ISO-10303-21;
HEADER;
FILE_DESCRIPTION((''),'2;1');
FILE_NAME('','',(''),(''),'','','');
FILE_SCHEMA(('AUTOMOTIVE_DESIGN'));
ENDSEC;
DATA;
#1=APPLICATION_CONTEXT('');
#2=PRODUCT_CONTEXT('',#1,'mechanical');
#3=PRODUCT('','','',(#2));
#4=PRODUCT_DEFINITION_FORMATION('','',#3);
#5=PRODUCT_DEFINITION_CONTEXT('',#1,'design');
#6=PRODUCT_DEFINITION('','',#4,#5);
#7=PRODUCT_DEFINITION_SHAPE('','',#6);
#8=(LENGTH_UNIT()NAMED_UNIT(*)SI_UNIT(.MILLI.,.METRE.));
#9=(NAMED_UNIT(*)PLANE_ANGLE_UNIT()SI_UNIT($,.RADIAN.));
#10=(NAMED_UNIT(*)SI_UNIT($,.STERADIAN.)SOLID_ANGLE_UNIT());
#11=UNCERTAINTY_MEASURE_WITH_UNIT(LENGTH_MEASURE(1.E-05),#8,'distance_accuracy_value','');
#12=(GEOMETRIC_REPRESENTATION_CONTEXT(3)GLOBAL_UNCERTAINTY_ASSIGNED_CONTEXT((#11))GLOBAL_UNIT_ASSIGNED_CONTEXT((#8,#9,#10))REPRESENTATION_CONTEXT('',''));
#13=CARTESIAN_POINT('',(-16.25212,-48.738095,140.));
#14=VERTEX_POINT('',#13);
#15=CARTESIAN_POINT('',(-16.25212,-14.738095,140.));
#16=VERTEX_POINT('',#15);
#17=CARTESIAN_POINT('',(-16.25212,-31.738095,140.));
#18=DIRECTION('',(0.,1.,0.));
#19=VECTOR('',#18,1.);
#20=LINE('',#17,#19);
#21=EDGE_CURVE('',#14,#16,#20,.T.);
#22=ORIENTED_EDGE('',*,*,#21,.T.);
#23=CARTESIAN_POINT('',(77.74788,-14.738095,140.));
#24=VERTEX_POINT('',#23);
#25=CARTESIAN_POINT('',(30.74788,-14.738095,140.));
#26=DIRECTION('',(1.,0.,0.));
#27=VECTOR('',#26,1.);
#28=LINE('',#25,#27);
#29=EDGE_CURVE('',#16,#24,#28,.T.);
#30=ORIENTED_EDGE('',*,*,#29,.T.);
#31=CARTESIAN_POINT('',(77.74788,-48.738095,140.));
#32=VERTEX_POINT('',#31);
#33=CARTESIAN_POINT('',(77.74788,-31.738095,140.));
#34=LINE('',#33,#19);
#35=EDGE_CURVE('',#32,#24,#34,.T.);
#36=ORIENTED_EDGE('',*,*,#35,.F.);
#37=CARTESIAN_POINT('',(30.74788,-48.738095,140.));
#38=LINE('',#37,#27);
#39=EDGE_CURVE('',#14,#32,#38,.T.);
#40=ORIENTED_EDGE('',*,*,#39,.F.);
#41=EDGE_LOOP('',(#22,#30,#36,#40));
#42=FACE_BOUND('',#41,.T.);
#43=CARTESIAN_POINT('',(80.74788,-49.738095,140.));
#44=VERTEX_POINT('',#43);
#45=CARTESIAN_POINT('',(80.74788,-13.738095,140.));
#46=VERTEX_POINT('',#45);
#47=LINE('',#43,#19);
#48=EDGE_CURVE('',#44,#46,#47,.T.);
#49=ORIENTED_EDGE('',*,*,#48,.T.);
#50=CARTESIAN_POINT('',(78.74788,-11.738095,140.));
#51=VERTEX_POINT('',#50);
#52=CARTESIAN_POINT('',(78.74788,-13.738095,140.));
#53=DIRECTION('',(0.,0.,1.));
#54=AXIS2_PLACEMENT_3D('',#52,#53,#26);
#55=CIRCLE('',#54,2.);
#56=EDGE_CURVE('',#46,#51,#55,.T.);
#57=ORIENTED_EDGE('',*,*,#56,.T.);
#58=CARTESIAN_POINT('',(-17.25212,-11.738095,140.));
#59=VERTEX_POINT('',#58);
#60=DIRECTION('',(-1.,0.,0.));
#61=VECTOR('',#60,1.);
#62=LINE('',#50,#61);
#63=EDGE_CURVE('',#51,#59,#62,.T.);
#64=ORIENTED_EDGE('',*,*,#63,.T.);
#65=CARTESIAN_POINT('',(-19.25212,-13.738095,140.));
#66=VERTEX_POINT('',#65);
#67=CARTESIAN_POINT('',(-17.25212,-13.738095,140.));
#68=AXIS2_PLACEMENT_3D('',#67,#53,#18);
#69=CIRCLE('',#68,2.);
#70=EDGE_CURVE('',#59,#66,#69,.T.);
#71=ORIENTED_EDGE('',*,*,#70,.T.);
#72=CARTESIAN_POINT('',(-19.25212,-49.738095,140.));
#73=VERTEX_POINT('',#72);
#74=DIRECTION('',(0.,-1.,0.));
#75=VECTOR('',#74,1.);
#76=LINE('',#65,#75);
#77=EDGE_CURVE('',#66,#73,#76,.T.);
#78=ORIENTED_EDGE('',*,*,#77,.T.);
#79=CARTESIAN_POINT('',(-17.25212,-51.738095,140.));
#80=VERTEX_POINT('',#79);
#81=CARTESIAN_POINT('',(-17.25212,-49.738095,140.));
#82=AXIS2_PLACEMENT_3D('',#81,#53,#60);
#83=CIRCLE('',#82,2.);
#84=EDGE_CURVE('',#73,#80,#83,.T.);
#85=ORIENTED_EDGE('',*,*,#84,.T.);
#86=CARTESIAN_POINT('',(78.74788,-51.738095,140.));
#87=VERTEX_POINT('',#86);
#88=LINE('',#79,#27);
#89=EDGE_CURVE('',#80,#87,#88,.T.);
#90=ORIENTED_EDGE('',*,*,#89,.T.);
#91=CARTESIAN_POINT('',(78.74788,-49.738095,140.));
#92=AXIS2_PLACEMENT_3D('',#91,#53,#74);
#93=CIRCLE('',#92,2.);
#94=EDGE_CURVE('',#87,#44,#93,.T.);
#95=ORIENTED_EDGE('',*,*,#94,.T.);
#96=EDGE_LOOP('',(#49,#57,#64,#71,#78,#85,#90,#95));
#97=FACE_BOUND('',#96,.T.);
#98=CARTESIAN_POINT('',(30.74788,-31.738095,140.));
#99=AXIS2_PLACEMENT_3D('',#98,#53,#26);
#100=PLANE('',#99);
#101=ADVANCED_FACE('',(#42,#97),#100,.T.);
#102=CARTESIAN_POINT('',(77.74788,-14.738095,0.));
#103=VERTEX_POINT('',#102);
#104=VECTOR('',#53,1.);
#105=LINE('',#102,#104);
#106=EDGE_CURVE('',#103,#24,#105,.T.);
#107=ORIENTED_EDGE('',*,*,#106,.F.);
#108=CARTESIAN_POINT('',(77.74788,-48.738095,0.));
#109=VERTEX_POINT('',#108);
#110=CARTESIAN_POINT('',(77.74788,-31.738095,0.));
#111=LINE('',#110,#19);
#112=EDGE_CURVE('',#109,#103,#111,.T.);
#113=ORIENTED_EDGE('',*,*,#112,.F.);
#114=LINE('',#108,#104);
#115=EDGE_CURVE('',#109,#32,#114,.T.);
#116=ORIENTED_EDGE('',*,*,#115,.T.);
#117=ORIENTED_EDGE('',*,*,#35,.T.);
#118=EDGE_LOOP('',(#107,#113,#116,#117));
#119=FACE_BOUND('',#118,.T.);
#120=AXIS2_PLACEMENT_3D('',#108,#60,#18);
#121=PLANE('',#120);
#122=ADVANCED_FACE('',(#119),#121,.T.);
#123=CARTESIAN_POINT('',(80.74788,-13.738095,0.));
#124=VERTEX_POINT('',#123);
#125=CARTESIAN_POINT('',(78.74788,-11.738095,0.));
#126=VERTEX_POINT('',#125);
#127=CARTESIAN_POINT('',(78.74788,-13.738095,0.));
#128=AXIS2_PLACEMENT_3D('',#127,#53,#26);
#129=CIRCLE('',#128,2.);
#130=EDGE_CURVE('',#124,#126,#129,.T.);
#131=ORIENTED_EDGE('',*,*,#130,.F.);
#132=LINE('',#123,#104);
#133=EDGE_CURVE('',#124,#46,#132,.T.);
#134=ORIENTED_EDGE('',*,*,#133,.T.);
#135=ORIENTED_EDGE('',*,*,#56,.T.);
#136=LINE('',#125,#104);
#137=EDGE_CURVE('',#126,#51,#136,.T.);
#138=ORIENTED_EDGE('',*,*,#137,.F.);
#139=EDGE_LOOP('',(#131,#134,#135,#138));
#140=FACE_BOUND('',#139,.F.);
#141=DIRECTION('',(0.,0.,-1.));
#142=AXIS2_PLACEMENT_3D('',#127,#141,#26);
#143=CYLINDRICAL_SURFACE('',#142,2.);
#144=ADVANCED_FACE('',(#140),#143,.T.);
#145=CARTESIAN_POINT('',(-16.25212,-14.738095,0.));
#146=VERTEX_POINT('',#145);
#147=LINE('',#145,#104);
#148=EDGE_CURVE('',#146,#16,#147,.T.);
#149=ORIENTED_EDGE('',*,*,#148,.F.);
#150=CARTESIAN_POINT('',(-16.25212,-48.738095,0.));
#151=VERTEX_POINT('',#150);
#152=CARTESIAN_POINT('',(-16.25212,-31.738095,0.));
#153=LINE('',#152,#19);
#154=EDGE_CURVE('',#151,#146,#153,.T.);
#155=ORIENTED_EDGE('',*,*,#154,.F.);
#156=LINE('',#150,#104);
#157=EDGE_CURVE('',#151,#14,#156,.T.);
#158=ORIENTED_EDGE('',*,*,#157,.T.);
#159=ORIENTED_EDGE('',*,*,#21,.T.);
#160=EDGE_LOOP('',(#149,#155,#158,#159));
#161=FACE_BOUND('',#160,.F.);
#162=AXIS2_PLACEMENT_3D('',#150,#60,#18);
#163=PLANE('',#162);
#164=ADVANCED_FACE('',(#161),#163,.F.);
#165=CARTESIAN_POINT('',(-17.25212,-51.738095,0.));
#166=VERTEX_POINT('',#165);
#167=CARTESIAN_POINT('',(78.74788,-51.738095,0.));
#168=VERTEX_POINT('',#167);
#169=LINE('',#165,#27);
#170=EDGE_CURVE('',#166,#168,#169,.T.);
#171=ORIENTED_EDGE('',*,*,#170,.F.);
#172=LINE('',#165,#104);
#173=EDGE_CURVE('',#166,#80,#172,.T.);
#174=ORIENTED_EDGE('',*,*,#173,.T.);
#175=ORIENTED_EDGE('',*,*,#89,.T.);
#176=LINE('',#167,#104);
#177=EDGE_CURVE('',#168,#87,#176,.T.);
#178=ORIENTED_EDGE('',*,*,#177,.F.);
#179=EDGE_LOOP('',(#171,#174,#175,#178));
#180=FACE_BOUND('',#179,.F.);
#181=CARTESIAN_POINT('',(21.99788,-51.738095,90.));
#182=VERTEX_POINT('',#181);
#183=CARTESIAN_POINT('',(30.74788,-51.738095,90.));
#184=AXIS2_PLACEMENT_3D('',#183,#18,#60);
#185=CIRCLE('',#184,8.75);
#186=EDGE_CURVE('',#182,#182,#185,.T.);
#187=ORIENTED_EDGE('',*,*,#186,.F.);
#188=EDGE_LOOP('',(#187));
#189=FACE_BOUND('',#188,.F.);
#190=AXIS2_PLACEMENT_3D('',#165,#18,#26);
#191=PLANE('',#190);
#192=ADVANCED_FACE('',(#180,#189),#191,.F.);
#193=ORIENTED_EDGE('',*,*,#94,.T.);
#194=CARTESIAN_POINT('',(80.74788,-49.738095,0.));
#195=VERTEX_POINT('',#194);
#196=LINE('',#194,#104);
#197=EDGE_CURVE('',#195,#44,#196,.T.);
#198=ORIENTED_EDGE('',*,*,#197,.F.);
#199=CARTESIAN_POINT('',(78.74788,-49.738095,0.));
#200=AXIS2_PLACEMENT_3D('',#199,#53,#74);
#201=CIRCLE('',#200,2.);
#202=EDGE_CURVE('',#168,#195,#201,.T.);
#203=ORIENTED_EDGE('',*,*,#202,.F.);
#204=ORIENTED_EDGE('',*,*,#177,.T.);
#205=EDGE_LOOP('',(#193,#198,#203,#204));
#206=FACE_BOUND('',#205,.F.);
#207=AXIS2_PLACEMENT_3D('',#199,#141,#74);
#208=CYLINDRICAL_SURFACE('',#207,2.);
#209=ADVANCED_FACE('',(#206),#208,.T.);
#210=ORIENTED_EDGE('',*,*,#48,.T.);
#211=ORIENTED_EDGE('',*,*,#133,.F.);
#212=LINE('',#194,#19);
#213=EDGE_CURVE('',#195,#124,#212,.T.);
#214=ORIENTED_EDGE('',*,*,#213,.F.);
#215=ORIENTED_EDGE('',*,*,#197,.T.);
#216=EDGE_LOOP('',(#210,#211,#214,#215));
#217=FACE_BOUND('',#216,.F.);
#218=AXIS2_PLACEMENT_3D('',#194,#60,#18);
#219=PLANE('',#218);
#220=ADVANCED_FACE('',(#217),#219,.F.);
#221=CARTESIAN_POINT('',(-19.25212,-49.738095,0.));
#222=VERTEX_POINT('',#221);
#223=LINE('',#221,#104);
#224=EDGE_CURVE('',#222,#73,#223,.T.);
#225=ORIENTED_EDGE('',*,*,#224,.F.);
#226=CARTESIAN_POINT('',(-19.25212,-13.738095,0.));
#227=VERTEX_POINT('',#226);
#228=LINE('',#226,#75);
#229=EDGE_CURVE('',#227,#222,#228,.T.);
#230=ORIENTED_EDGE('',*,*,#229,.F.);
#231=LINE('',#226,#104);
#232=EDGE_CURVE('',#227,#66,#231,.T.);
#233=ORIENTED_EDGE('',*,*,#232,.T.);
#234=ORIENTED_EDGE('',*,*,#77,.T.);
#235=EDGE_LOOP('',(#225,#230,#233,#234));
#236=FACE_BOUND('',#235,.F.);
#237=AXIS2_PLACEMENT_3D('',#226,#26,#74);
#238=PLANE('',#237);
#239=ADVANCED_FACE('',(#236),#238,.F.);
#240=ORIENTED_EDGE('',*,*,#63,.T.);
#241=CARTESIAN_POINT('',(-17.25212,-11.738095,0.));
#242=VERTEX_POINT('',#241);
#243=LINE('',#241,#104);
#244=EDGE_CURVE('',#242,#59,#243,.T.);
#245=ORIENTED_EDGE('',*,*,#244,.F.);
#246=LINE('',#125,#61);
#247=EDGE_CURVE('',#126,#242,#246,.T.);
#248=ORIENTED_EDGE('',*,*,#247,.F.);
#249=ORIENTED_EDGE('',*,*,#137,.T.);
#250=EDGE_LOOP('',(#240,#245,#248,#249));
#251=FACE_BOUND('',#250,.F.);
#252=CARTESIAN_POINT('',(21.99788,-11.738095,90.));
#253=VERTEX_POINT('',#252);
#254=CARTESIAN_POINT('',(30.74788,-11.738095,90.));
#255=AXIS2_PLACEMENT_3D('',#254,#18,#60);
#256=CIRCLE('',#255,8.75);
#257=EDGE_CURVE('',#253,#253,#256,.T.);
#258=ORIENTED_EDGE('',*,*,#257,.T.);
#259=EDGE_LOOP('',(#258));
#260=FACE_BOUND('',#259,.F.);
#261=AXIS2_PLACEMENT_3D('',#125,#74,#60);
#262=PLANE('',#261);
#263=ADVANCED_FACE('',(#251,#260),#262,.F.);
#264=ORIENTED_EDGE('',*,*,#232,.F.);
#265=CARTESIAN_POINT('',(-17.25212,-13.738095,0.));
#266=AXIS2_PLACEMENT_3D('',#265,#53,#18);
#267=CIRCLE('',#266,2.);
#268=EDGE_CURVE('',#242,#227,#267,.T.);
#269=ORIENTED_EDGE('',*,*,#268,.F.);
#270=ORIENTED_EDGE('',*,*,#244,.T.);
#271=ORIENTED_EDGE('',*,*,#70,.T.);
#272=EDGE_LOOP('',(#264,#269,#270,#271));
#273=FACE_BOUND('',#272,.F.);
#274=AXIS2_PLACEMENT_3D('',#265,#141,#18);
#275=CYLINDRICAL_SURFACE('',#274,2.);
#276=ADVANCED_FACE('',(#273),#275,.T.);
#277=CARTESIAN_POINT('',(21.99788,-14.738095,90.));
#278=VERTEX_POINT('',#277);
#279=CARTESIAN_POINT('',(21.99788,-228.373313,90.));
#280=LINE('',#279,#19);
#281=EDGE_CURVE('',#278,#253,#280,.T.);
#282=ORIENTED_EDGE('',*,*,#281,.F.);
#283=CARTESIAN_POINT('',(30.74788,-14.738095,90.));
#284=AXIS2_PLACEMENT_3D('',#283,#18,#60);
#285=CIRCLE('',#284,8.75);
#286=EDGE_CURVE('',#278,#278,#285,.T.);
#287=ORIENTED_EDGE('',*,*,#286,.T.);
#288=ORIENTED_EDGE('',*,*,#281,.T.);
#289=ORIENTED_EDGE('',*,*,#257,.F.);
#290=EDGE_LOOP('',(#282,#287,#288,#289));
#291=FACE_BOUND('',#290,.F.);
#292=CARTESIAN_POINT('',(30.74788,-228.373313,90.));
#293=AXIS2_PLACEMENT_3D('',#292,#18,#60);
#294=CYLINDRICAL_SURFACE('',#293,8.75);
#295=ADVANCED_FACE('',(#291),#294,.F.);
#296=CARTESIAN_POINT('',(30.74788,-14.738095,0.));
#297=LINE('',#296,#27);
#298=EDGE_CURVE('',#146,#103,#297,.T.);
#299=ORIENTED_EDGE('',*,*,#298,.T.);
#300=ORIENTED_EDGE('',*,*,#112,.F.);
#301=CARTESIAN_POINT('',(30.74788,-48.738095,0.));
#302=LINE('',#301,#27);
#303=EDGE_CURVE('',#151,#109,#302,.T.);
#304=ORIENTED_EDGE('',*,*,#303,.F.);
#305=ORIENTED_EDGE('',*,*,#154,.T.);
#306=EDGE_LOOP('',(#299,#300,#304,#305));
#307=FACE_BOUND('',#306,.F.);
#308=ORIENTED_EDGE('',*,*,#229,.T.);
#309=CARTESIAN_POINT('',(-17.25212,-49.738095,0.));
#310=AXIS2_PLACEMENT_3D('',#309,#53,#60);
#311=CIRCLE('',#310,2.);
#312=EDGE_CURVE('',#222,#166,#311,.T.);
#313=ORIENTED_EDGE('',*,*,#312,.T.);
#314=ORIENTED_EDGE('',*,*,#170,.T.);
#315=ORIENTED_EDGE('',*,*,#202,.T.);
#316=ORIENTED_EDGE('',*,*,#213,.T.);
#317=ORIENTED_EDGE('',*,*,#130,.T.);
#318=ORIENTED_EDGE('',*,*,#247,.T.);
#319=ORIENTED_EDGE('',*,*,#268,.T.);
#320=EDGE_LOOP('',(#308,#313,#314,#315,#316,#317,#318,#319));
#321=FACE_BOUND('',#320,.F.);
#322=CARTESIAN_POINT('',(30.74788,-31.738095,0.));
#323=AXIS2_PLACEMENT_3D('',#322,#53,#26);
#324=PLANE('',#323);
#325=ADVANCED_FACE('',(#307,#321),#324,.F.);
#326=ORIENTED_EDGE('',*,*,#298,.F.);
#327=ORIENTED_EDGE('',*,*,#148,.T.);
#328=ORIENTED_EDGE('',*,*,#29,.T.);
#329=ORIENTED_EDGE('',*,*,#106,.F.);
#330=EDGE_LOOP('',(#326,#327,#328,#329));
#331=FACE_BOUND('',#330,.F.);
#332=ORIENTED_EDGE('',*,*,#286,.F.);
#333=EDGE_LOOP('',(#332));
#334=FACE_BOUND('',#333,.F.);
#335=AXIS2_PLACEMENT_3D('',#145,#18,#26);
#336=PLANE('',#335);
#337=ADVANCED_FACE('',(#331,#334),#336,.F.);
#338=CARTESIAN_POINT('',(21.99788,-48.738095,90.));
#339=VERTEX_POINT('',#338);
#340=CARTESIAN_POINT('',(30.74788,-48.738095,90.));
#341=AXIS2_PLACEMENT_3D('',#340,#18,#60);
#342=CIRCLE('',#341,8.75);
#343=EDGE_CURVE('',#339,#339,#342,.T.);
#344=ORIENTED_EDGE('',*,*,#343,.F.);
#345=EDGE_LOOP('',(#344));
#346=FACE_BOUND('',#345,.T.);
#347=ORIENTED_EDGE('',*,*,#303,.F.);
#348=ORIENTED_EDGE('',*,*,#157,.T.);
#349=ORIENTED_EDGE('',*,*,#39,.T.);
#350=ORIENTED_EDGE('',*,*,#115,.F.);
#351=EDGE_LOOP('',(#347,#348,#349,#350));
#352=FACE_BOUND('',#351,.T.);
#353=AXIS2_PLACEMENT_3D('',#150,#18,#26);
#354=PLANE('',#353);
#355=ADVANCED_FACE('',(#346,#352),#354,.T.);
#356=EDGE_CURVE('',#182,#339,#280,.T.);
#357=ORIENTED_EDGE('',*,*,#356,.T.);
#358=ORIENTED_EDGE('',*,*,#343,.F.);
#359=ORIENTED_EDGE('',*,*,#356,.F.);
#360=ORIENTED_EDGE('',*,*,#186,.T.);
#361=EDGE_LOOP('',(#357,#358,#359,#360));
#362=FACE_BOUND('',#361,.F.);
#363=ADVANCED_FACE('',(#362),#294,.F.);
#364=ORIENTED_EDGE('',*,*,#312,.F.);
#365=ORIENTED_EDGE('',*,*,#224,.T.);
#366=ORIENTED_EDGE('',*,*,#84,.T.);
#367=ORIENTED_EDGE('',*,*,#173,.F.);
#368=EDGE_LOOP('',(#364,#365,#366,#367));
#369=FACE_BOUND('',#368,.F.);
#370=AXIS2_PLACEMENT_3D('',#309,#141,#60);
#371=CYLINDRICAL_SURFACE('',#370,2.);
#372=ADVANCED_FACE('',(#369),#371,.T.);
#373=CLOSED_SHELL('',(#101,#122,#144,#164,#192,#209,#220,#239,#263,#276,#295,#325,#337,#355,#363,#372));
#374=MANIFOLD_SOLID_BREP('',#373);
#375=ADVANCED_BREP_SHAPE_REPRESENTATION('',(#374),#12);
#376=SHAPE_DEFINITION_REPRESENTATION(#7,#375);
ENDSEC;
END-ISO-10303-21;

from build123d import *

# Parameters (mm, degrees)
F3_W     = 94
F3_H     = 34
F4_DEPTH = 140
F6_D     = 17.5


with BuildPart() as f4:
    # F3 (on Top) → F4 (new body)
    with BuildSketch(Plane.XY):
        with BuildLine():
            ThreePointArc((-19.2521204937, -49.7380952381), (-18.6663340561, -51.1523088005), (-17.2521204937, -51.7380952381))
            Line((-17.2521204937, -51.7380952381), (78.7478795063, -51.7380952381))
            ThreePointArc((78.7478795063, -51.7380952381), (80.1620930687, -51.1523088005), (80.7478795063, -49.7380952381))
            Line((80.7478795063, -49.7380952381), (80.7478795063, -13.7380952381))
            ThreePointArc((80.7478795063, -13.7380952381), (80.1620930687, -12.3238816757), (78.7478795063, -11.7380952381))
            Line((78.7478795063, -11.7380952381), (-17.2521204937, -11.7380952381))
            ThreePointArc((-17.2521204937, -11.7380952381), (-18.6663340561, -12.3238816757), (-19.2521204937, -13.7380952381))
            Line((-19.2521204937, -13.7380952381), (-19.2521204937, -49.7380952381))
        make_face()
        with Locations((30.7478795063, -31.7380952381)):
            Rectangle(F3_W, F3_H, mode=Mode.SUBTRACT)
    extrude(amount=F4_DEPTH)

    # F6 (through all)
    with Locations(Plane.XZ.offset(51.7380952381)):
        with Locations((30.7478795063, 90)):
            Hole(F6_D / 2)


solid = f4.part
